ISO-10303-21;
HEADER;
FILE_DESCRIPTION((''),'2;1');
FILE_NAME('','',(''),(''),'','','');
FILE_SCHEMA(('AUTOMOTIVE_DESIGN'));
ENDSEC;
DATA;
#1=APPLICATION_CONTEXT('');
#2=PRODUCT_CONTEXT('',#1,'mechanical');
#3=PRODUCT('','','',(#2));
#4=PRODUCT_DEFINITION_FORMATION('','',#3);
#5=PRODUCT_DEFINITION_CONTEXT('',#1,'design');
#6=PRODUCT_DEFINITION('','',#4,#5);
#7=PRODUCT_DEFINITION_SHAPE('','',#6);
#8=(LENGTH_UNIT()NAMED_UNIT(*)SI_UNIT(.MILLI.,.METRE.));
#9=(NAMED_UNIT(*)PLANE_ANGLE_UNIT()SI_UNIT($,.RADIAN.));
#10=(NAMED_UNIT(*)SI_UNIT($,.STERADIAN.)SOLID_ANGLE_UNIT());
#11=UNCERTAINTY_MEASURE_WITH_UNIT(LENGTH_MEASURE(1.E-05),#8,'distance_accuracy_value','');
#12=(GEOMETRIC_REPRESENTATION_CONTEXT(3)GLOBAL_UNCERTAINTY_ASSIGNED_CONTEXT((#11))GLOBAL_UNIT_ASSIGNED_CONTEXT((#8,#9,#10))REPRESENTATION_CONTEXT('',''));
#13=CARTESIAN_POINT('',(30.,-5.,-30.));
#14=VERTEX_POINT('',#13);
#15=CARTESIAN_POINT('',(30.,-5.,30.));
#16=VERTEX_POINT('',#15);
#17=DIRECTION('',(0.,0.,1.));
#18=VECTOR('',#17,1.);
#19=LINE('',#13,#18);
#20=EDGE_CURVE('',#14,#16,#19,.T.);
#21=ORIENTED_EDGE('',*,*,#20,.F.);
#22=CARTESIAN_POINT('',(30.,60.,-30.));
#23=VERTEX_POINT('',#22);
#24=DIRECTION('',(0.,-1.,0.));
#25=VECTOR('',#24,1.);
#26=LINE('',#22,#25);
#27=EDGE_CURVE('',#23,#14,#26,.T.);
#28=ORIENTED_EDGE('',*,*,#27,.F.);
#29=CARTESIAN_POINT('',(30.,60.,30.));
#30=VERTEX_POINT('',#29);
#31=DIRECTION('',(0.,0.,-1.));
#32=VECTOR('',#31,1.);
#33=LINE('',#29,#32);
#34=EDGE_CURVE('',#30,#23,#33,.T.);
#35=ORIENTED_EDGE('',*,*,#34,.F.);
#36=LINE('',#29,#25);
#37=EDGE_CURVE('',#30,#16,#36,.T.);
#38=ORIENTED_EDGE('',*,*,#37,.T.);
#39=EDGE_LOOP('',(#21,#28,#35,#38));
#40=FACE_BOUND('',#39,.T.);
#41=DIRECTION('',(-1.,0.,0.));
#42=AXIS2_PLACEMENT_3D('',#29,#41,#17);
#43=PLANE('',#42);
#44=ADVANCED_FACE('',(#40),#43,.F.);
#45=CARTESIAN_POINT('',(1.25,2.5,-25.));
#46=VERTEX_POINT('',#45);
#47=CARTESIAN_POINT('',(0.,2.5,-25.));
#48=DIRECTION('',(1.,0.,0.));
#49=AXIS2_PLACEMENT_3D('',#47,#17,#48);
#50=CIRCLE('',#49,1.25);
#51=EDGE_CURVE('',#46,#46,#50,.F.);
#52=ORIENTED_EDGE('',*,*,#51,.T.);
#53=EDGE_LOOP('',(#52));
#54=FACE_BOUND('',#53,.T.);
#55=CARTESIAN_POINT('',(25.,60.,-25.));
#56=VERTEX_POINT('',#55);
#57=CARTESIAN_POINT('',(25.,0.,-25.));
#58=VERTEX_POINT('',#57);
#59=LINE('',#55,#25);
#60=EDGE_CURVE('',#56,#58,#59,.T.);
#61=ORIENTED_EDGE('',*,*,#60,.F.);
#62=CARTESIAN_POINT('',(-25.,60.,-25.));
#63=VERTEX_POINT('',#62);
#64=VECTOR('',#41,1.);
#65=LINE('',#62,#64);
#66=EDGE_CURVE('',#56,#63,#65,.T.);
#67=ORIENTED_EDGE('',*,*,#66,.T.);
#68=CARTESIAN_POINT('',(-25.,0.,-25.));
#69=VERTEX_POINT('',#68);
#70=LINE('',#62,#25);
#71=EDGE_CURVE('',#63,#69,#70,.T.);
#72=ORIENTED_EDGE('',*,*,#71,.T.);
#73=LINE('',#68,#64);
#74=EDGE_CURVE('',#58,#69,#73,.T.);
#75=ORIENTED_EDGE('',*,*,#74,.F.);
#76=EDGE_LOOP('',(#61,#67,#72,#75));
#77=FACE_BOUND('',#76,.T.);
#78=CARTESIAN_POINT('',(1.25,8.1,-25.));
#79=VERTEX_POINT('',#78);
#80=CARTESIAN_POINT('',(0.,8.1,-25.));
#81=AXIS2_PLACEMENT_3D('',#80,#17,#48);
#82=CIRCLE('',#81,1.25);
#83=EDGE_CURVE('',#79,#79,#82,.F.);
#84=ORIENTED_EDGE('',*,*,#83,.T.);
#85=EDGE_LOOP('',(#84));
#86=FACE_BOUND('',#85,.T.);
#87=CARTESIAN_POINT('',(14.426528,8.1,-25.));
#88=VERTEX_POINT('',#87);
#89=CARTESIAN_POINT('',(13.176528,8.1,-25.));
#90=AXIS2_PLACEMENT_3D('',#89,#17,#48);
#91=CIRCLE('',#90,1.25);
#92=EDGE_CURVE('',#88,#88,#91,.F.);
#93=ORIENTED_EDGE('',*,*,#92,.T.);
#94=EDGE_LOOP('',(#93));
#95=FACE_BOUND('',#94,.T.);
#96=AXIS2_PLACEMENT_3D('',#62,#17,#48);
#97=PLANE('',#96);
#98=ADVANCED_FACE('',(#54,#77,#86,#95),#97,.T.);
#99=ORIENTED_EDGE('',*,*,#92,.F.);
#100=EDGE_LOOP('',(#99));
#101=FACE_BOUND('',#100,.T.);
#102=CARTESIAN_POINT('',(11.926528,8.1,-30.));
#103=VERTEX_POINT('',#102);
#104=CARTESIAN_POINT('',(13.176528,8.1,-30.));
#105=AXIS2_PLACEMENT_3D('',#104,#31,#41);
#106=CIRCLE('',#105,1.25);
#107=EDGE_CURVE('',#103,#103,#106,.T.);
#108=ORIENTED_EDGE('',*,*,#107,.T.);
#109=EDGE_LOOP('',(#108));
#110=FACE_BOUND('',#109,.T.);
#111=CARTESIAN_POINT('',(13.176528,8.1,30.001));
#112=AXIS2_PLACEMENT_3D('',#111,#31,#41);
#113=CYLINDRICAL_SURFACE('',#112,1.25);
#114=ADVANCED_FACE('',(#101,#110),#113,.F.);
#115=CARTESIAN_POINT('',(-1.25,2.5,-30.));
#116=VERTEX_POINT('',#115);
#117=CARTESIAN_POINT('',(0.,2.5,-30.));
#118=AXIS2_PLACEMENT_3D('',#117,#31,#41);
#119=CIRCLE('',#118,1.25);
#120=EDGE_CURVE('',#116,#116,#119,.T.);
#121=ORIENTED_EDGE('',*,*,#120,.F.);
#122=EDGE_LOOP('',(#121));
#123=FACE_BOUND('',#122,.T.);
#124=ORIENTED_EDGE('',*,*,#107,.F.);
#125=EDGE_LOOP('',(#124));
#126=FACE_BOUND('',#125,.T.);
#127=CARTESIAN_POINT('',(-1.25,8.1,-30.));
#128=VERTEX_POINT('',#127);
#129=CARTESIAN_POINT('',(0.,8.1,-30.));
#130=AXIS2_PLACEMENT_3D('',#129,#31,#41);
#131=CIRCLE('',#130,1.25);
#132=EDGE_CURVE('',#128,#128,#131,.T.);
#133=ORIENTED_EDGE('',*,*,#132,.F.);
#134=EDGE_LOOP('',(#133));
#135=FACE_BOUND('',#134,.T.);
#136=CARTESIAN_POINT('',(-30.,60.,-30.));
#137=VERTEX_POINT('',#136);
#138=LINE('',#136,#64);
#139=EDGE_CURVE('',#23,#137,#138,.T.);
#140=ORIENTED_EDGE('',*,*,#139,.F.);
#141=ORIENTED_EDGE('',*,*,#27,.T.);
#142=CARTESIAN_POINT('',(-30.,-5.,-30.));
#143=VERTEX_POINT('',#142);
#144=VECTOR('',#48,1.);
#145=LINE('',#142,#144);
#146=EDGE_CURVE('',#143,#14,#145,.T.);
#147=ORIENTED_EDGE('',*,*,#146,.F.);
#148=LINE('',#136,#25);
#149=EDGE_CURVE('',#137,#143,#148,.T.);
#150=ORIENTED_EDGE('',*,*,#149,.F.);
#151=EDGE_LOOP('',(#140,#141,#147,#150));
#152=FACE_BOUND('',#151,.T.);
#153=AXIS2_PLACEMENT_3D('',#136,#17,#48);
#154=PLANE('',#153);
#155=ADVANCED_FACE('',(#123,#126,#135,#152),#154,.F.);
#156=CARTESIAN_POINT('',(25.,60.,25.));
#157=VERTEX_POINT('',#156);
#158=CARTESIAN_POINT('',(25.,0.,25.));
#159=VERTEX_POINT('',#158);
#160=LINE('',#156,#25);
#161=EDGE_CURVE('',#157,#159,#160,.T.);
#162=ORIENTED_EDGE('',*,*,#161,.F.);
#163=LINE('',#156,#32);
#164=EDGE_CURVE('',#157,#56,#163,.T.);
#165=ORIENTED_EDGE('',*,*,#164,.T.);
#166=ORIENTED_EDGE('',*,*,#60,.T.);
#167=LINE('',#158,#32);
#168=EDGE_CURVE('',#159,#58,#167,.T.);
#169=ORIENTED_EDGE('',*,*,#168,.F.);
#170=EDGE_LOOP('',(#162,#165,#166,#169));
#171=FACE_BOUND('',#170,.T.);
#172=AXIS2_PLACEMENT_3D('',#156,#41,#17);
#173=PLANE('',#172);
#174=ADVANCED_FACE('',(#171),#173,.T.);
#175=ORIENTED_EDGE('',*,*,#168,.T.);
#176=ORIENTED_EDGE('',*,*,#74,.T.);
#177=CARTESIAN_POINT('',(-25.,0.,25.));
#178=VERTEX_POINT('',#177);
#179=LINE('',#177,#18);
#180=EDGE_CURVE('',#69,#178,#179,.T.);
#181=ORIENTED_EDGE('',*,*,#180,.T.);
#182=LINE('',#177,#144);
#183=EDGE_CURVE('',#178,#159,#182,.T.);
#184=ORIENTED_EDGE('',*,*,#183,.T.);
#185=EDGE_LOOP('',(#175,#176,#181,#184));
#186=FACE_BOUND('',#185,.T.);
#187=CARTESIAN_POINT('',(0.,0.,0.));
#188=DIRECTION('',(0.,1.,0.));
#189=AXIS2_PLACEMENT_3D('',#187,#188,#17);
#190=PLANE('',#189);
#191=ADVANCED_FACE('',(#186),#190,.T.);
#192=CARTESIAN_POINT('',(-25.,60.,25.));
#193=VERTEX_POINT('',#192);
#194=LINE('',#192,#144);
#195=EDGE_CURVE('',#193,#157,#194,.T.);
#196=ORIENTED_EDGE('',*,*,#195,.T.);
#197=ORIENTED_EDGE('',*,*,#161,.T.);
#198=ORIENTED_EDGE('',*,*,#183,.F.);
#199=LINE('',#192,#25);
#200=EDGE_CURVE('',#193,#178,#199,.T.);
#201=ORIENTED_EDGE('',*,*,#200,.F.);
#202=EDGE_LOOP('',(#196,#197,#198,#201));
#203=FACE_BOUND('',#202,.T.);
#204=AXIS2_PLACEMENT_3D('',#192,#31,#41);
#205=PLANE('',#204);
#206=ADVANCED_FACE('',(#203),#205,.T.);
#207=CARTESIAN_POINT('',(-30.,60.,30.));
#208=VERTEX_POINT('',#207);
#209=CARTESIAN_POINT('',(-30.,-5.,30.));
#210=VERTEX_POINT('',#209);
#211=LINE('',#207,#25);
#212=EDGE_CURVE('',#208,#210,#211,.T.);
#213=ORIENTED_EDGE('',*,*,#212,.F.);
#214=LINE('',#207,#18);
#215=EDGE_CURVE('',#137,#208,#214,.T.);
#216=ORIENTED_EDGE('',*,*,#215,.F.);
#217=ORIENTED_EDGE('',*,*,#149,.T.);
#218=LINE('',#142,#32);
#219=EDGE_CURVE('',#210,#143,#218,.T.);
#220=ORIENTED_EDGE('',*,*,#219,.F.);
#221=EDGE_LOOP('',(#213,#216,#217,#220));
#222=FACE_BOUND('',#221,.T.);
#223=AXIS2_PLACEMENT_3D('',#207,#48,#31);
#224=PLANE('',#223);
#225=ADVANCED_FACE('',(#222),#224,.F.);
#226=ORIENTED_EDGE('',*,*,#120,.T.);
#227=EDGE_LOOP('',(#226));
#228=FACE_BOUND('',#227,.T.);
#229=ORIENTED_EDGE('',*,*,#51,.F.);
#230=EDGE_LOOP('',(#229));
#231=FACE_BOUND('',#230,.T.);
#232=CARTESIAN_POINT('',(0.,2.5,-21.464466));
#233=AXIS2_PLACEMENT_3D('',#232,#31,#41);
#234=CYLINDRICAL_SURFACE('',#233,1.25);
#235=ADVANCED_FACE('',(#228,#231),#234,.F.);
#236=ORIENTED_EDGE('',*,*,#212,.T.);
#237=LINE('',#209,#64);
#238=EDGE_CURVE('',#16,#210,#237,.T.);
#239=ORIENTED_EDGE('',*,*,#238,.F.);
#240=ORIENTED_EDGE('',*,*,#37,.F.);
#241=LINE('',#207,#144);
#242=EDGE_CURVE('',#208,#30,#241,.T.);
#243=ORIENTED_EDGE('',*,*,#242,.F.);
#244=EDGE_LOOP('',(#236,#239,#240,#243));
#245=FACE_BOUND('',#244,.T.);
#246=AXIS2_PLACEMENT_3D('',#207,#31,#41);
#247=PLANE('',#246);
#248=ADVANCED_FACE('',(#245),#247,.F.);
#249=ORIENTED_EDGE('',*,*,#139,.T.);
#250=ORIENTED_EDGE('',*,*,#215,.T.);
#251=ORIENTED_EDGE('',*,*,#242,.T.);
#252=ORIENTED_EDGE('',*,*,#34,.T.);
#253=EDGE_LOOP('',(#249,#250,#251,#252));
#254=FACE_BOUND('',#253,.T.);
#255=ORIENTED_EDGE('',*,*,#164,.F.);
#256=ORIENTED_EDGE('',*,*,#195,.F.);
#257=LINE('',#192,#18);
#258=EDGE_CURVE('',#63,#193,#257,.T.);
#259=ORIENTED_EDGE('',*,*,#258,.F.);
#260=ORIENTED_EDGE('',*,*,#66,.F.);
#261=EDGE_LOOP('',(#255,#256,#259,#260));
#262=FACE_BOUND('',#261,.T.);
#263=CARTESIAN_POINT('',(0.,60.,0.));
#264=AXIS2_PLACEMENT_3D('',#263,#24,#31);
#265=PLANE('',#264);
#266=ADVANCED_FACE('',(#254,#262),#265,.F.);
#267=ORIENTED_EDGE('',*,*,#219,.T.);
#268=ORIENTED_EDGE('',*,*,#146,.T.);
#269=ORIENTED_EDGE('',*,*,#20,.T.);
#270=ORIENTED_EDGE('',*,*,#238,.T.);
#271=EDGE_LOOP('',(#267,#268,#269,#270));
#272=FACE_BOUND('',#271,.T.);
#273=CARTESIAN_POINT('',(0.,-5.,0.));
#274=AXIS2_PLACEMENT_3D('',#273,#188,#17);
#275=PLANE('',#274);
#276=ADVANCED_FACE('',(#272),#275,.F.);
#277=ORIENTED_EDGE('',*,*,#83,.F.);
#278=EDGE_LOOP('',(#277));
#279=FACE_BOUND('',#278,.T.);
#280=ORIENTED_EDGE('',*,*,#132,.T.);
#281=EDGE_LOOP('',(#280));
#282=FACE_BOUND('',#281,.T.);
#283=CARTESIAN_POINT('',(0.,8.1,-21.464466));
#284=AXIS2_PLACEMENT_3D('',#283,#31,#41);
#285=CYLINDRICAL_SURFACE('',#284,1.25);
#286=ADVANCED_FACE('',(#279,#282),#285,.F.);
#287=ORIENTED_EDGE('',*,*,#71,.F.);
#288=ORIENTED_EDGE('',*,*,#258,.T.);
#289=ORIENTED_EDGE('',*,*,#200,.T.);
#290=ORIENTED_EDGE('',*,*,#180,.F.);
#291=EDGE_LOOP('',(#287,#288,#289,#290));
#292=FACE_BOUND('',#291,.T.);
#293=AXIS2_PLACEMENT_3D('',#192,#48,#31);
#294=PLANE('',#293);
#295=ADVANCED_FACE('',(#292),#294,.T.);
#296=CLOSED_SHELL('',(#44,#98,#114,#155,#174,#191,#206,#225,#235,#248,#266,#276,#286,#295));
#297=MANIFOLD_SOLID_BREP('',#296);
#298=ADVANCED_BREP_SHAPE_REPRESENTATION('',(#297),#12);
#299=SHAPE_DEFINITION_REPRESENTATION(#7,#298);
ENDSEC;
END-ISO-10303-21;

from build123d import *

# Parameters (mm, degrees)
SKETCH1_W           = 60
SKETCH1_H           = 60
SKETCH1_W_2         = 50
SKETCH1_H_2         = 50
BOSS_EXTRUDE1_DEPTH = 60
SKETCH2_W           = 60
SKETCH2_H           = 60
BOSS_EXTRUDE2_DEPTH = 5
SKETCH3_R           = 1.25
CUT_EXTRUDE1_DEPTH  = 5
CUT_EXTRUDE2_REACH  = 62
SKETCH4_R           = 1.25


with BuildPart() as part:
    # Sketch1 → Boss-Extrude1 (new body)
    with BuildSketch(Plane(origin=(0, 0, 0), x_dir=(1, 0, 0), z_dir=(0, 1, 0))):
        Rectangle(SKETCH1_W, SKETCH1_H)
        Rectangle(SKETCH1_W_2, SKETCH1_H_2, mode=Mode.SUBTRACT)
    extrude(amount=BOSS_EXTRUDE1_DEPTH)

    # Sketch2 → Boss-Extrude2 (add)
    with BuildSketch(Plane.XZ):
        Rectangle(SKETCH2_W, SKETCH2_H)
    extrude(amount=BOSS_EXTRUDE2_DEPTH)

    # Sketch3 → Cut-Extrude1 (cut)
    with BuildSketch(Plane(origin=(0, 0, -30), x_dir=(-1, 0, 0), z_dir=(0, 0, -1))):
        with Locations((0, 2.5)):
            Circle(SKETCH3_R)
        with Locations((0, 8.1)):
            Circle(SKETCH3_R)
    extrude(amount=-CUT_EXTRUDE1_DEPTH, mode=Mode.SUBTRACT)

    # Sketch4 → Cut-Extrude2 (cut, up to next)
    with BuildSketch(Plane(origin=(0, 0, -30), x_dir=(-1, 0, 0), z_dir=(0, 0, -1)), mode=Mode.PRIVATE) as cut_extrude2_sk1:
        with Locations((-13.176528006, 8.1)):
            Circle(SKETCH4_R)
    cut_extrude2_tool1 = extrude(cut_extrude2_sk1.sketch, amount=-CUT_EXTRUDE2_REACH, mode=Mode.PRIVATE) & part.part
    add(cut_extrude2_tool1.solids().sort_by_distance((13.176528, 8.1, -30))[0], mode=Mode.SUBTRACT)


solid = part.part
